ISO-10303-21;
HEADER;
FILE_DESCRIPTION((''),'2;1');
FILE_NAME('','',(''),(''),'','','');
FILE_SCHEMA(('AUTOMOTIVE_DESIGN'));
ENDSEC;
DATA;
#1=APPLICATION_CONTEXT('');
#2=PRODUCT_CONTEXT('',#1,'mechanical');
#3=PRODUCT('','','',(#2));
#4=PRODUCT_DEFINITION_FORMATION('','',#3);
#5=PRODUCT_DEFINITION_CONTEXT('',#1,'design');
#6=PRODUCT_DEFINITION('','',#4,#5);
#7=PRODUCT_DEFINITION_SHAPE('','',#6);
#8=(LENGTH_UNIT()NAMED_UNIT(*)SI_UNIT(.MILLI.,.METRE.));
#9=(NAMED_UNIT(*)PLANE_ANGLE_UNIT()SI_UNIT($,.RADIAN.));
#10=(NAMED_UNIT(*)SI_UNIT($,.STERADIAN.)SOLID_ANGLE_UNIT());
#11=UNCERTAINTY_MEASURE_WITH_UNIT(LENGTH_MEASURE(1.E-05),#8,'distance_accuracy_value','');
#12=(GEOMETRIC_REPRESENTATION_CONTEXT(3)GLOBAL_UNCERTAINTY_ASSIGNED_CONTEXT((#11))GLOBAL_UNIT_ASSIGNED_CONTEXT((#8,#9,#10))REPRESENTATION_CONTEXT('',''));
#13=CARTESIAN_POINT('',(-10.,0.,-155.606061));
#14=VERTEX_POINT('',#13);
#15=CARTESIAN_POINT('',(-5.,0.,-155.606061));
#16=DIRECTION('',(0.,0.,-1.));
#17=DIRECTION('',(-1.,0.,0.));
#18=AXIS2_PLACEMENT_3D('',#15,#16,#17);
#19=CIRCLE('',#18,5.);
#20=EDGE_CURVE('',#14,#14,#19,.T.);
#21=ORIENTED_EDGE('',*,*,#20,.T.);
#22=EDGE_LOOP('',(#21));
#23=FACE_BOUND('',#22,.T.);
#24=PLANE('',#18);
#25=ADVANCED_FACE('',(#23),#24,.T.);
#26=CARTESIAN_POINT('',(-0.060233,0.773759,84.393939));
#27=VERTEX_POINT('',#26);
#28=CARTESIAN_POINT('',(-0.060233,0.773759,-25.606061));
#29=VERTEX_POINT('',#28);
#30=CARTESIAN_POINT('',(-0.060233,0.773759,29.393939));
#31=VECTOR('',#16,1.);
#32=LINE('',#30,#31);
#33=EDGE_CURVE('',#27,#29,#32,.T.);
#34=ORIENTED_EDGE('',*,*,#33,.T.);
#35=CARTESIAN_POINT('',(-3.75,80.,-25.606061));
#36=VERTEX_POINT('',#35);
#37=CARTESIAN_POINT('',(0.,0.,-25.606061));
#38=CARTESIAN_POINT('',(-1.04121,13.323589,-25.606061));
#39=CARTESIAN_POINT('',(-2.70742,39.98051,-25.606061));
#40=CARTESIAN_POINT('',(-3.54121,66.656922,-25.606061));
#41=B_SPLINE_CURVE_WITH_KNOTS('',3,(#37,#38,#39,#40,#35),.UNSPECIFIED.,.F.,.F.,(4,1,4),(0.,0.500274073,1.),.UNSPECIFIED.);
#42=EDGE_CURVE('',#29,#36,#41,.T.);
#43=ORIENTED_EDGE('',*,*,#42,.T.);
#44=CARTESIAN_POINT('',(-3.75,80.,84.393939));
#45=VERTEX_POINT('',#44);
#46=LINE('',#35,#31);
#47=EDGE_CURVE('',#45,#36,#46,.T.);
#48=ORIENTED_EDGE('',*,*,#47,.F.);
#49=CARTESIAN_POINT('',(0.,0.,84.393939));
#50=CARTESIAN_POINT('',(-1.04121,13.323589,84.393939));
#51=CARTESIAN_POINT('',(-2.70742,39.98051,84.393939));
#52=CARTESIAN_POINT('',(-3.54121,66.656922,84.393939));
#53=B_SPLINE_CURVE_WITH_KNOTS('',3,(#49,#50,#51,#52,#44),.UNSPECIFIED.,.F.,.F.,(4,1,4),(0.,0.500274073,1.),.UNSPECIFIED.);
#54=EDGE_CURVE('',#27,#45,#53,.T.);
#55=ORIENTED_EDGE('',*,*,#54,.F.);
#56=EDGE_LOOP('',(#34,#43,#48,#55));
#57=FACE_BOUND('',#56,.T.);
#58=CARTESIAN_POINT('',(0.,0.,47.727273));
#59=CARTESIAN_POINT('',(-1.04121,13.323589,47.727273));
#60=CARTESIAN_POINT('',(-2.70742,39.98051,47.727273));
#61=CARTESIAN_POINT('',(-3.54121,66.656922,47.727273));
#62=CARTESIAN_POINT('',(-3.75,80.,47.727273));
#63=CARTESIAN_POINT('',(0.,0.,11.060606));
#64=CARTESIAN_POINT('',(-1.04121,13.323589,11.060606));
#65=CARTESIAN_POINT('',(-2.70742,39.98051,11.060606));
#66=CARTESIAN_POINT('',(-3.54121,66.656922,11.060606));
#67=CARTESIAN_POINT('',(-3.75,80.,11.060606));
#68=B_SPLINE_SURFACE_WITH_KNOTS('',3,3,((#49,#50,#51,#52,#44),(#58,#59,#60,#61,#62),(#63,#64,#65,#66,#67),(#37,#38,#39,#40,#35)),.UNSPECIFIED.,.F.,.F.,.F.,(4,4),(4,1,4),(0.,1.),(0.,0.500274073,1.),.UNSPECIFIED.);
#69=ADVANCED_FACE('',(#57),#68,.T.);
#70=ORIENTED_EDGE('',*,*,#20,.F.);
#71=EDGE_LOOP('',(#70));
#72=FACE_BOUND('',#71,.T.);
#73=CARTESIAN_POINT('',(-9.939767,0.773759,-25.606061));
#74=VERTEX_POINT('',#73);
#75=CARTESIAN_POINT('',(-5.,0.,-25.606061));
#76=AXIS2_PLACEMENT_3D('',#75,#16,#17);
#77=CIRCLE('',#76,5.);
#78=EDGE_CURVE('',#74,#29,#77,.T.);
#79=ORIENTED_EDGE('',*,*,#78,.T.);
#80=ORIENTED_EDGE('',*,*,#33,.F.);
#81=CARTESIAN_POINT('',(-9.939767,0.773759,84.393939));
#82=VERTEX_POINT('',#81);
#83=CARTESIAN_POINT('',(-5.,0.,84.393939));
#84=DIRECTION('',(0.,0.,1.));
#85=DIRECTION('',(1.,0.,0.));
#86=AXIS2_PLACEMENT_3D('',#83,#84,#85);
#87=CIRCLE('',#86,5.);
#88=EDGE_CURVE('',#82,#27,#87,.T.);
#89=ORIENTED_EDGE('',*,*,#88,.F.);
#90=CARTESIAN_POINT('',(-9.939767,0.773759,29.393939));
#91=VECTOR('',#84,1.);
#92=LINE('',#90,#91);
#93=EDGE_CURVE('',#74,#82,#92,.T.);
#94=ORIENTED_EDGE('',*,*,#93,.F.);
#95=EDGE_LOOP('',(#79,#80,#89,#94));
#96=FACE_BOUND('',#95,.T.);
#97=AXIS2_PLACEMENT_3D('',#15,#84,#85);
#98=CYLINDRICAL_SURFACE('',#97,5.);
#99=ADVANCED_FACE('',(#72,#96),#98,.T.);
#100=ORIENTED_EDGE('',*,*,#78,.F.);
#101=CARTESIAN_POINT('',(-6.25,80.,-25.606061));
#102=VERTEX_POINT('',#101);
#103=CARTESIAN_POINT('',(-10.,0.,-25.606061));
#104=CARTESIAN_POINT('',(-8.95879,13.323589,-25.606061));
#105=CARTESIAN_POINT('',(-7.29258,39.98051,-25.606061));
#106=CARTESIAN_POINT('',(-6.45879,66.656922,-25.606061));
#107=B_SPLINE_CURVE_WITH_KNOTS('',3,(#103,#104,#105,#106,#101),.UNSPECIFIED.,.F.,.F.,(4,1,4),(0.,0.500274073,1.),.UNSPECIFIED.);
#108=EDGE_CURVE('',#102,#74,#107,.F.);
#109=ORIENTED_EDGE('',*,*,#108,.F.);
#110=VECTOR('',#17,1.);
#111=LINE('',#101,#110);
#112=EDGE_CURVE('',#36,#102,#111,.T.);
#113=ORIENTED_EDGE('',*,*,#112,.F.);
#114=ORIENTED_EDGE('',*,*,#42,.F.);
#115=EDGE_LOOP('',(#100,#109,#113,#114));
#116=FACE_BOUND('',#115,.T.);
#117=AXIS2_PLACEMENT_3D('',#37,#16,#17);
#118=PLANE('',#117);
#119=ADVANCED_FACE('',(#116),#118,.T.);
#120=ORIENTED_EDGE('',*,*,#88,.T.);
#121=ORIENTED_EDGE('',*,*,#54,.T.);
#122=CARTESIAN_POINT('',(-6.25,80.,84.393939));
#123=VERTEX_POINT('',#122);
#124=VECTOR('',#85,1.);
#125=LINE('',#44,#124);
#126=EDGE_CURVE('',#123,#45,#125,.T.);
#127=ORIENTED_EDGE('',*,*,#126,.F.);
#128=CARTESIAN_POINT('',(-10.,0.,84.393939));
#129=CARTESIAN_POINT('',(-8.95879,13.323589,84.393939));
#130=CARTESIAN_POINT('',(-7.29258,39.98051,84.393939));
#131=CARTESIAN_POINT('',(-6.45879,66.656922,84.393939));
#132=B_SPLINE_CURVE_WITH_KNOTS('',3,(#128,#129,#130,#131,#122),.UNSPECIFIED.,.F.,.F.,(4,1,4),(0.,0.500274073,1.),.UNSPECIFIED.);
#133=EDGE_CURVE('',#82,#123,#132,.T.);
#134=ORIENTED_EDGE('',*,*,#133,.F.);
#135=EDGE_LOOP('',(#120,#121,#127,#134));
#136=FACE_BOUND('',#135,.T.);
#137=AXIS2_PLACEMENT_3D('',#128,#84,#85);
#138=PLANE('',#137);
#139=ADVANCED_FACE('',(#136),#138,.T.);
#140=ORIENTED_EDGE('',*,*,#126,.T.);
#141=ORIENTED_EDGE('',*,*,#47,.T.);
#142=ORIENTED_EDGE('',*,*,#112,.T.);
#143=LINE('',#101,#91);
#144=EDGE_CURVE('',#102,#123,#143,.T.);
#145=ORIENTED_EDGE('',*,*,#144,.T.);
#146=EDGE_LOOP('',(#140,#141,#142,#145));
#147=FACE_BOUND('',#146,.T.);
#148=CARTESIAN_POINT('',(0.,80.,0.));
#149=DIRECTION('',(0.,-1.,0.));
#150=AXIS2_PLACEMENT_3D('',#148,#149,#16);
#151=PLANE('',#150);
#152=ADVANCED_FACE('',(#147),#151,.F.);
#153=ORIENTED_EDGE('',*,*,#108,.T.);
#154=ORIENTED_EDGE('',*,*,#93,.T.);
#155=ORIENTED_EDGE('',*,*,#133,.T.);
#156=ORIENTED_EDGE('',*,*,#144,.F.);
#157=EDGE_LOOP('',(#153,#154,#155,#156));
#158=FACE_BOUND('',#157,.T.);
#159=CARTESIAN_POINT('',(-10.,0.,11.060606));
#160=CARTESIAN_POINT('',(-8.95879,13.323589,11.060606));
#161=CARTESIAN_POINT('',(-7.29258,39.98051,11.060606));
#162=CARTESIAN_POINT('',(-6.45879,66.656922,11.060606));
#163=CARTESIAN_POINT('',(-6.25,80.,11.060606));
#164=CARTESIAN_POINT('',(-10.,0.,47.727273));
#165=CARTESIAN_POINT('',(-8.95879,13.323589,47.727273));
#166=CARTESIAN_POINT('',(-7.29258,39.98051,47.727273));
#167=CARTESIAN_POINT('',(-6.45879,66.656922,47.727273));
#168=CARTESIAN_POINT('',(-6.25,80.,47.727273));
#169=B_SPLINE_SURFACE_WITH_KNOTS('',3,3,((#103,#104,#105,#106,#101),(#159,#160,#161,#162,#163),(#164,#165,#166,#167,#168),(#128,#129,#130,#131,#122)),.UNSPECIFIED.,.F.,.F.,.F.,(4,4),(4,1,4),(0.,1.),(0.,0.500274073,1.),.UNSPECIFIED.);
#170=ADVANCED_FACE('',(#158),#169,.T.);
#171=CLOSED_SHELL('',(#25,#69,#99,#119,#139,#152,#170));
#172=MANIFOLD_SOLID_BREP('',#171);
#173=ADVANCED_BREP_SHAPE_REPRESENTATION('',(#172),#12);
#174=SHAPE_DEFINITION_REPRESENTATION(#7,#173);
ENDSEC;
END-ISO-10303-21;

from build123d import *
from build123d.topology import SkipClean

# Parameters (mm, degrees)
SKETCH4_R           = 5
BOSS_EXTRUDE1_DEPTH = 130
BOSS_EXTRUDE2_START = 110
SKETCH5_R           = 5
BOSS_EXTRUDE2_DEPTH = 110


with BuildPart() as part:
    # Sketch1 → Loft1 section 0
    with BuildSketch(Plane(origin=(0, 0, 0), x_dir=(1, 0, 0), z_dir=(0, 1, 0))):
        with BuildLine():
            Line((0, 25.606060606), (-10, 25.606060606))
            Line((-10, 25.606060606), (-10, -84.393939394))
            Line((-10, -84.393939394), (0, -84.393939394))
            Line((0, -84.393939394), (0, 25.606060606))
        make_face()
    # Sketch2 → Loft1 section 1
    with BuildSketch(Plane(origin=(0, 40, 0), x_dir=(1, 0, 0), z_dir=(0, 1, 0))):
        with BuildLine():
            Line((-2.5, 25.606060606), (-2.5, -84.393939394))
            Line((-2.5, -84.393939394), (-7.5, -84.393939394))
            Line((-7.5, -84.393939394), (-7.5, 25.606060606))
            Line((-7.5, 25.606060606), (-2.5, 25.606060606))
        make_face()
    # Sketch3 → Loft1 section 2
    with BuildSketch(Plane(origin=(0, 80, 0), x_dir=(1, 0, 0), z_dir=(0, 1, 0))):
        with BuildLine():
            Line((-6.25, 25.606060606), (-3.75, 25.606060606))
            Line((-3.75, 25.606060606), (-3.75, -84.393939394))
            Line((-3.75, -84.393939394), (-6.25, -84.393939394))
            Line((-6.25, -84.393939394), (-6.25, 25.606060606))
        make_face()
    loft()

    # Sketch4 → Boss-Extrude1 (add)
    with BuildSketch(Plane(origin=(0, 0, -25.606060606), x_dir=(-1, 0, 0), z_dir=(0, 0, -1))):
        with Locations((5, 0)):
            Circle(SKETCH4_R)
    extrude(amount=BOSS_EXTRUDE1_DEPTH)

    # Sketch5 → Boss-Extrude2 (add)
    with SkipClean():  # the faces are left unmerged after this step: merging them gives an invalid solid
        with BuildSketch(Plane.XY.offset(-25.606060606).offset(BOSS_EXTRUDE2_START)):
            with Locations(Location((-5, 0, 0), (0, 0, 8.902401969))):
                Circle(SKETCH5_R)
        extrude(amount=-BOSS_EXTRUDE2_DEPTH)


solid = part.part
